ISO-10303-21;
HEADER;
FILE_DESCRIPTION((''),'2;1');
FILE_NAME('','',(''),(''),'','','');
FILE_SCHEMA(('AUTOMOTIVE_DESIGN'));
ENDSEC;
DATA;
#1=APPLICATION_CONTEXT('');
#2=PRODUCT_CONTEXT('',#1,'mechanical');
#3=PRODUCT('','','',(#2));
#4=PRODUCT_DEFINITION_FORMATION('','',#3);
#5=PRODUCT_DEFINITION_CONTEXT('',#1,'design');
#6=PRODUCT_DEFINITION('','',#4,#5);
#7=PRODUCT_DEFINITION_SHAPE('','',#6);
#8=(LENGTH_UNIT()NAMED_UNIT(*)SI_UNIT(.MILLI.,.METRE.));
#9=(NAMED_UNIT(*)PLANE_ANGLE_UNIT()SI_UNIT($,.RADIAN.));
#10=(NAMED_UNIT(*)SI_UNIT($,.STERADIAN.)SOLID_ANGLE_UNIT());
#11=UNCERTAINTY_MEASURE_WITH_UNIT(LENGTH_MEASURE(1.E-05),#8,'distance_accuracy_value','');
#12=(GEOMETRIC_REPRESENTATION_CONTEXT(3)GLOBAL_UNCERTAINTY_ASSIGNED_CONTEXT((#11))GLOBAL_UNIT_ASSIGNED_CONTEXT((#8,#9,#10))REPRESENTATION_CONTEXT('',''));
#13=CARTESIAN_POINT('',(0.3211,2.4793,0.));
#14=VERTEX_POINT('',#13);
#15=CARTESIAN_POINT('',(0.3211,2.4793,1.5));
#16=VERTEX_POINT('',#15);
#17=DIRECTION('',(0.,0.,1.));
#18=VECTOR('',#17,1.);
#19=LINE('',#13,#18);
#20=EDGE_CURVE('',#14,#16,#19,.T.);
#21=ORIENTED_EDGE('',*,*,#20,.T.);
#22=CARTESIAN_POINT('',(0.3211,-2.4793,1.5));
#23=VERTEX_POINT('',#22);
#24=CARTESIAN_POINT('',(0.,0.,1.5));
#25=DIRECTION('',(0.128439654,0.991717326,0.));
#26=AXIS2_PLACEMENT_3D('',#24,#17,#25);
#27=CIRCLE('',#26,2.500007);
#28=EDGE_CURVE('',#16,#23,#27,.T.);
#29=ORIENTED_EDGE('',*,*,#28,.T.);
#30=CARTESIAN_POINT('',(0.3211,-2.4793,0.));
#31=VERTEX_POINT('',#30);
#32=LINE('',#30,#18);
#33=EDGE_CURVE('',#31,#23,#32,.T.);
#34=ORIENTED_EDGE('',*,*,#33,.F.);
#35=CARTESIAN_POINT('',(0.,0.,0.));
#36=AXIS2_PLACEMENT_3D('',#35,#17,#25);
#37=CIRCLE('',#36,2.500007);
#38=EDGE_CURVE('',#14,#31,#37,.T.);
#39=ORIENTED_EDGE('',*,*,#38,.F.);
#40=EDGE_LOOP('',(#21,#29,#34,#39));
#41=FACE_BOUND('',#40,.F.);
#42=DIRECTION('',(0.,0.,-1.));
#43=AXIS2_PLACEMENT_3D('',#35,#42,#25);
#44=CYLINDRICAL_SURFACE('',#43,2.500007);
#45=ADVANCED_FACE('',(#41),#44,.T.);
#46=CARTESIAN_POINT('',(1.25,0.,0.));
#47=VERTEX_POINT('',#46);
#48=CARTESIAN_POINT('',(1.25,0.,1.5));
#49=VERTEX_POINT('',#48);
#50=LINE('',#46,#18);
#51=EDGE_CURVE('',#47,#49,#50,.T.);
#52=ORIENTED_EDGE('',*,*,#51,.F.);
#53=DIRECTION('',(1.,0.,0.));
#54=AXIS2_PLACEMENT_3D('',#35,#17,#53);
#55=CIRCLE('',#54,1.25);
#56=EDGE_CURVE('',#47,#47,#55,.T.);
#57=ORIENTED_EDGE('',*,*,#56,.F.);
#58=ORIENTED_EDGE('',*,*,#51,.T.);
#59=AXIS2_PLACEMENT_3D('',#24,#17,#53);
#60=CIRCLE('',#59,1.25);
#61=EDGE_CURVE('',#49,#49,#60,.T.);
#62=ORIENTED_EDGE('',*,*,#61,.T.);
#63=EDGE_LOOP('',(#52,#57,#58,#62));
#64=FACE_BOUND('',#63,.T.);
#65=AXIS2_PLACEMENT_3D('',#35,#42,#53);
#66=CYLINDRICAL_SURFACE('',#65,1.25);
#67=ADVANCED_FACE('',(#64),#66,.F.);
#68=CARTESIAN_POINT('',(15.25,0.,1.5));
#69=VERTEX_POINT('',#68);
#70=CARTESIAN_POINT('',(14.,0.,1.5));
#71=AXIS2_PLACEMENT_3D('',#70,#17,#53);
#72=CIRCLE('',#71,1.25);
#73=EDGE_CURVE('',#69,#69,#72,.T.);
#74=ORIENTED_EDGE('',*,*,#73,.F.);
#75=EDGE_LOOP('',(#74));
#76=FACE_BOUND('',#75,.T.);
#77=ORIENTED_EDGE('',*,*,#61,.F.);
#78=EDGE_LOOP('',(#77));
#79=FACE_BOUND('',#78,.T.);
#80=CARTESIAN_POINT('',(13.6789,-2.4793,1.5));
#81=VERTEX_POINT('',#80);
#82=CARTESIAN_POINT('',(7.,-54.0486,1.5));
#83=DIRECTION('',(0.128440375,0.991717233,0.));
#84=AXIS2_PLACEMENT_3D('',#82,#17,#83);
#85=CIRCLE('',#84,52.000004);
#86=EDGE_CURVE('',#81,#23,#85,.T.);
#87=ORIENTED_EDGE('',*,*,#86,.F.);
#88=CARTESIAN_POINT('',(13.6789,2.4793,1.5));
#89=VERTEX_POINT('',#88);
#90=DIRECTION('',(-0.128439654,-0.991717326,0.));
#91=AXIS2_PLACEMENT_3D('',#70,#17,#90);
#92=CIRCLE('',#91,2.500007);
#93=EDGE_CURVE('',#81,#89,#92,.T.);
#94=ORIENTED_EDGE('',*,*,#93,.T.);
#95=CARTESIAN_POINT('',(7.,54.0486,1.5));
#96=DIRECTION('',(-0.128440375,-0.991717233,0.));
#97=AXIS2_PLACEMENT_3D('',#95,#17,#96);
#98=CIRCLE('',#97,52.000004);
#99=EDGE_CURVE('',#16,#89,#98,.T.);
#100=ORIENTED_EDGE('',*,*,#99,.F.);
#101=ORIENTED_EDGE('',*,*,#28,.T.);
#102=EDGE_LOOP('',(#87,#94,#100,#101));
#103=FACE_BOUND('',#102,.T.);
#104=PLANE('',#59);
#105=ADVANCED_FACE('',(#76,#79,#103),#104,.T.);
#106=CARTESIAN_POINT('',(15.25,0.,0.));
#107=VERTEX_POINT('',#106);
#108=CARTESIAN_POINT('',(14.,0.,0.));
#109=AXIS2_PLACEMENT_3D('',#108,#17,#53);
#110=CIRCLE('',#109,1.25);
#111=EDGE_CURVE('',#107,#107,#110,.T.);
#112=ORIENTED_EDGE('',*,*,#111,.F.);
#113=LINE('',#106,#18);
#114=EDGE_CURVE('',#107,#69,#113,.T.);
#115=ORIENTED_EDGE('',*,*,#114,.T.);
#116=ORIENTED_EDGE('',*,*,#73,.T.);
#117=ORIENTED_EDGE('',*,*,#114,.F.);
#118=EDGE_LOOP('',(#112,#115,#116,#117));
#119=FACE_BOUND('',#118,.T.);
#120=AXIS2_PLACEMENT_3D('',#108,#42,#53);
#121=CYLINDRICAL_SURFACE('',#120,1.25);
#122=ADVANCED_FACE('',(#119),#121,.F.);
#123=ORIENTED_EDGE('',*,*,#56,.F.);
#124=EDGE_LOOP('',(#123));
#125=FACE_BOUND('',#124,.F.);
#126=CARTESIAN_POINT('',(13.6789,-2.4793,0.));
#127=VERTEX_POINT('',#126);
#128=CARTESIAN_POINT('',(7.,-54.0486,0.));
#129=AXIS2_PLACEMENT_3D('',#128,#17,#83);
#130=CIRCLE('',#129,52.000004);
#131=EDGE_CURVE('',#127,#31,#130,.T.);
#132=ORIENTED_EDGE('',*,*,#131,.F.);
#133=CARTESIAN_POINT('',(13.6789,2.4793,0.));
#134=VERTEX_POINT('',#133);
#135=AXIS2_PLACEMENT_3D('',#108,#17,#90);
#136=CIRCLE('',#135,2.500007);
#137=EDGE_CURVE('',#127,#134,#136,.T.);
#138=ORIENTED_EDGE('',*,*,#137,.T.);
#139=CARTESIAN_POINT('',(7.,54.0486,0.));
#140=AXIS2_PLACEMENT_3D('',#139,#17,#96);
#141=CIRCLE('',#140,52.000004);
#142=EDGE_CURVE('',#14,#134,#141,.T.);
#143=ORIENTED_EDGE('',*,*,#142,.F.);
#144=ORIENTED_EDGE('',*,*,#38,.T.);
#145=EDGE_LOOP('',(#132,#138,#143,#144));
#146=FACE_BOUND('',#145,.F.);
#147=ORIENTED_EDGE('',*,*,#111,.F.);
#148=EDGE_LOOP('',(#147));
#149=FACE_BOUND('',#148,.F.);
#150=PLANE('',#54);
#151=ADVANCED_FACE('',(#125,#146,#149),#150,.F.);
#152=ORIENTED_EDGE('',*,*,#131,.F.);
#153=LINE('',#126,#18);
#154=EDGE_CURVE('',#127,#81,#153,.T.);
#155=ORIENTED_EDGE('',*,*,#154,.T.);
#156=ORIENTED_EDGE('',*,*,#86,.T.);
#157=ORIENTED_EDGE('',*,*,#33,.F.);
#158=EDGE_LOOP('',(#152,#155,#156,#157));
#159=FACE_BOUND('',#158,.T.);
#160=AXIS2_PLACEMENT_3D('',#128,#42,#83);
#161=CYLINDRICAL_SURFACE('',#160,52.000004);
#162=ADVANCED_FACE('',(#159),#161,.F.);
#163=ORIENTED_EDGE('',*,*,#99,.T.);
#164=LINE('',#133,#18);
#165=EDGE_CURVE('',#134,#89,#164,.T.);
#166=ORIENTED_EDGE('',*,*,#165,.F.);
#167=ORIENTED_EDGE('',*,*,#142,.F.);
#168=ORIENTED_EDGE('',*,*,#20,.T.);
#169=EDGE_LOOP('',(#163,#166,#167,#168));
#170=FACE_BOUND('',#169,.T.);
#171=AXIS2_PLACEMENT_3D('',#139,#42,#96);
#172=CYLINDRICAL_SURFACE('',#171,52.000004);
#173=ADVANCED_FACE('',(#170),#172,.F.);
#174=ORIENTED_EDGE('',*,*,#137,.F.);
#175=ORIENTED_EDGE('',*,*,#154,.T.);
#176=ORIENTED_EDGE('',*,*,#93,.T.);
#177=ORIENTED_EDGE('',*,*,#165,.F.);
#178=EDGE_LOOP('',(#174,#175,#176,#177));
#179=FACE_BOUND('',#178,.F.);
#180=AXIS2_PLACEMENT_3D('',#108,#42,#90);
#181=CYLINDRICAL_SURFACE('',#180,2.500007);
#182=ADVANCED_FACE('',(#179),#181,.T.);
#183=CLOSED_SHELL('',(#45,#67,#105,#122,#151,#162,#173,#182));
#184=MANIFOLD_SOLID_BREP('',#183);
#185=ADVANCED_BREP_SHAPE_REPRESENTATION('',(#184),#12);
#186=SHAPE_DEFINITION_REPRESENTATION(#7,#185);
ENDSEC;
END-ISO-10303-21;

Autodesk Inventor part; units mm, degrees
ref_plane "YZ Plane" through (0, 0, 0) normal (1, 0, 0) x (0, 1, 0)
ref_plane "XZ Plane" through (0, 0, 0) normal (0, 1, 0) x (-1, 0, 0)
ref_plane "XY Plane" through (0, 0, 0) normal (0, 0, 1) x (1, 0, 0)
sketch "Sketch1" plane through (0, 0, 0) normal (0, 0, 1) x (1, 0, 0)
  circle A0 centre (0, 0) radius 1.25
  line L0 (0, 0) -> (14, 0) construction
  circle A1 centre (14, 0) radius 1.25
  arc A2 (0.3211, 2.4793) -> (0.3211, -2.4793) centre (0, 0) ccw
  arc A3 (13.6789, -2.4793) -> (13.6789, 2.4793) centre (14, 0) ccw
  arc A4 (0.3211, 2.4793) -> (13.6789, 2.4793) centre (7, 54.0486) ccw
  arc A5 (13.6789, -2.4793) -> (0.3211, -2.4793) centre (7, -54.0486) ccw
  dimension "d0" = 2.5
  dimension "d1" = 14
  dimension "d8" = 5
  dimension "d15" = 52
extrude "Extrusion1" add sketch "Sketch1" along normal blind 1.5
properties part number "linkageB_mini"
